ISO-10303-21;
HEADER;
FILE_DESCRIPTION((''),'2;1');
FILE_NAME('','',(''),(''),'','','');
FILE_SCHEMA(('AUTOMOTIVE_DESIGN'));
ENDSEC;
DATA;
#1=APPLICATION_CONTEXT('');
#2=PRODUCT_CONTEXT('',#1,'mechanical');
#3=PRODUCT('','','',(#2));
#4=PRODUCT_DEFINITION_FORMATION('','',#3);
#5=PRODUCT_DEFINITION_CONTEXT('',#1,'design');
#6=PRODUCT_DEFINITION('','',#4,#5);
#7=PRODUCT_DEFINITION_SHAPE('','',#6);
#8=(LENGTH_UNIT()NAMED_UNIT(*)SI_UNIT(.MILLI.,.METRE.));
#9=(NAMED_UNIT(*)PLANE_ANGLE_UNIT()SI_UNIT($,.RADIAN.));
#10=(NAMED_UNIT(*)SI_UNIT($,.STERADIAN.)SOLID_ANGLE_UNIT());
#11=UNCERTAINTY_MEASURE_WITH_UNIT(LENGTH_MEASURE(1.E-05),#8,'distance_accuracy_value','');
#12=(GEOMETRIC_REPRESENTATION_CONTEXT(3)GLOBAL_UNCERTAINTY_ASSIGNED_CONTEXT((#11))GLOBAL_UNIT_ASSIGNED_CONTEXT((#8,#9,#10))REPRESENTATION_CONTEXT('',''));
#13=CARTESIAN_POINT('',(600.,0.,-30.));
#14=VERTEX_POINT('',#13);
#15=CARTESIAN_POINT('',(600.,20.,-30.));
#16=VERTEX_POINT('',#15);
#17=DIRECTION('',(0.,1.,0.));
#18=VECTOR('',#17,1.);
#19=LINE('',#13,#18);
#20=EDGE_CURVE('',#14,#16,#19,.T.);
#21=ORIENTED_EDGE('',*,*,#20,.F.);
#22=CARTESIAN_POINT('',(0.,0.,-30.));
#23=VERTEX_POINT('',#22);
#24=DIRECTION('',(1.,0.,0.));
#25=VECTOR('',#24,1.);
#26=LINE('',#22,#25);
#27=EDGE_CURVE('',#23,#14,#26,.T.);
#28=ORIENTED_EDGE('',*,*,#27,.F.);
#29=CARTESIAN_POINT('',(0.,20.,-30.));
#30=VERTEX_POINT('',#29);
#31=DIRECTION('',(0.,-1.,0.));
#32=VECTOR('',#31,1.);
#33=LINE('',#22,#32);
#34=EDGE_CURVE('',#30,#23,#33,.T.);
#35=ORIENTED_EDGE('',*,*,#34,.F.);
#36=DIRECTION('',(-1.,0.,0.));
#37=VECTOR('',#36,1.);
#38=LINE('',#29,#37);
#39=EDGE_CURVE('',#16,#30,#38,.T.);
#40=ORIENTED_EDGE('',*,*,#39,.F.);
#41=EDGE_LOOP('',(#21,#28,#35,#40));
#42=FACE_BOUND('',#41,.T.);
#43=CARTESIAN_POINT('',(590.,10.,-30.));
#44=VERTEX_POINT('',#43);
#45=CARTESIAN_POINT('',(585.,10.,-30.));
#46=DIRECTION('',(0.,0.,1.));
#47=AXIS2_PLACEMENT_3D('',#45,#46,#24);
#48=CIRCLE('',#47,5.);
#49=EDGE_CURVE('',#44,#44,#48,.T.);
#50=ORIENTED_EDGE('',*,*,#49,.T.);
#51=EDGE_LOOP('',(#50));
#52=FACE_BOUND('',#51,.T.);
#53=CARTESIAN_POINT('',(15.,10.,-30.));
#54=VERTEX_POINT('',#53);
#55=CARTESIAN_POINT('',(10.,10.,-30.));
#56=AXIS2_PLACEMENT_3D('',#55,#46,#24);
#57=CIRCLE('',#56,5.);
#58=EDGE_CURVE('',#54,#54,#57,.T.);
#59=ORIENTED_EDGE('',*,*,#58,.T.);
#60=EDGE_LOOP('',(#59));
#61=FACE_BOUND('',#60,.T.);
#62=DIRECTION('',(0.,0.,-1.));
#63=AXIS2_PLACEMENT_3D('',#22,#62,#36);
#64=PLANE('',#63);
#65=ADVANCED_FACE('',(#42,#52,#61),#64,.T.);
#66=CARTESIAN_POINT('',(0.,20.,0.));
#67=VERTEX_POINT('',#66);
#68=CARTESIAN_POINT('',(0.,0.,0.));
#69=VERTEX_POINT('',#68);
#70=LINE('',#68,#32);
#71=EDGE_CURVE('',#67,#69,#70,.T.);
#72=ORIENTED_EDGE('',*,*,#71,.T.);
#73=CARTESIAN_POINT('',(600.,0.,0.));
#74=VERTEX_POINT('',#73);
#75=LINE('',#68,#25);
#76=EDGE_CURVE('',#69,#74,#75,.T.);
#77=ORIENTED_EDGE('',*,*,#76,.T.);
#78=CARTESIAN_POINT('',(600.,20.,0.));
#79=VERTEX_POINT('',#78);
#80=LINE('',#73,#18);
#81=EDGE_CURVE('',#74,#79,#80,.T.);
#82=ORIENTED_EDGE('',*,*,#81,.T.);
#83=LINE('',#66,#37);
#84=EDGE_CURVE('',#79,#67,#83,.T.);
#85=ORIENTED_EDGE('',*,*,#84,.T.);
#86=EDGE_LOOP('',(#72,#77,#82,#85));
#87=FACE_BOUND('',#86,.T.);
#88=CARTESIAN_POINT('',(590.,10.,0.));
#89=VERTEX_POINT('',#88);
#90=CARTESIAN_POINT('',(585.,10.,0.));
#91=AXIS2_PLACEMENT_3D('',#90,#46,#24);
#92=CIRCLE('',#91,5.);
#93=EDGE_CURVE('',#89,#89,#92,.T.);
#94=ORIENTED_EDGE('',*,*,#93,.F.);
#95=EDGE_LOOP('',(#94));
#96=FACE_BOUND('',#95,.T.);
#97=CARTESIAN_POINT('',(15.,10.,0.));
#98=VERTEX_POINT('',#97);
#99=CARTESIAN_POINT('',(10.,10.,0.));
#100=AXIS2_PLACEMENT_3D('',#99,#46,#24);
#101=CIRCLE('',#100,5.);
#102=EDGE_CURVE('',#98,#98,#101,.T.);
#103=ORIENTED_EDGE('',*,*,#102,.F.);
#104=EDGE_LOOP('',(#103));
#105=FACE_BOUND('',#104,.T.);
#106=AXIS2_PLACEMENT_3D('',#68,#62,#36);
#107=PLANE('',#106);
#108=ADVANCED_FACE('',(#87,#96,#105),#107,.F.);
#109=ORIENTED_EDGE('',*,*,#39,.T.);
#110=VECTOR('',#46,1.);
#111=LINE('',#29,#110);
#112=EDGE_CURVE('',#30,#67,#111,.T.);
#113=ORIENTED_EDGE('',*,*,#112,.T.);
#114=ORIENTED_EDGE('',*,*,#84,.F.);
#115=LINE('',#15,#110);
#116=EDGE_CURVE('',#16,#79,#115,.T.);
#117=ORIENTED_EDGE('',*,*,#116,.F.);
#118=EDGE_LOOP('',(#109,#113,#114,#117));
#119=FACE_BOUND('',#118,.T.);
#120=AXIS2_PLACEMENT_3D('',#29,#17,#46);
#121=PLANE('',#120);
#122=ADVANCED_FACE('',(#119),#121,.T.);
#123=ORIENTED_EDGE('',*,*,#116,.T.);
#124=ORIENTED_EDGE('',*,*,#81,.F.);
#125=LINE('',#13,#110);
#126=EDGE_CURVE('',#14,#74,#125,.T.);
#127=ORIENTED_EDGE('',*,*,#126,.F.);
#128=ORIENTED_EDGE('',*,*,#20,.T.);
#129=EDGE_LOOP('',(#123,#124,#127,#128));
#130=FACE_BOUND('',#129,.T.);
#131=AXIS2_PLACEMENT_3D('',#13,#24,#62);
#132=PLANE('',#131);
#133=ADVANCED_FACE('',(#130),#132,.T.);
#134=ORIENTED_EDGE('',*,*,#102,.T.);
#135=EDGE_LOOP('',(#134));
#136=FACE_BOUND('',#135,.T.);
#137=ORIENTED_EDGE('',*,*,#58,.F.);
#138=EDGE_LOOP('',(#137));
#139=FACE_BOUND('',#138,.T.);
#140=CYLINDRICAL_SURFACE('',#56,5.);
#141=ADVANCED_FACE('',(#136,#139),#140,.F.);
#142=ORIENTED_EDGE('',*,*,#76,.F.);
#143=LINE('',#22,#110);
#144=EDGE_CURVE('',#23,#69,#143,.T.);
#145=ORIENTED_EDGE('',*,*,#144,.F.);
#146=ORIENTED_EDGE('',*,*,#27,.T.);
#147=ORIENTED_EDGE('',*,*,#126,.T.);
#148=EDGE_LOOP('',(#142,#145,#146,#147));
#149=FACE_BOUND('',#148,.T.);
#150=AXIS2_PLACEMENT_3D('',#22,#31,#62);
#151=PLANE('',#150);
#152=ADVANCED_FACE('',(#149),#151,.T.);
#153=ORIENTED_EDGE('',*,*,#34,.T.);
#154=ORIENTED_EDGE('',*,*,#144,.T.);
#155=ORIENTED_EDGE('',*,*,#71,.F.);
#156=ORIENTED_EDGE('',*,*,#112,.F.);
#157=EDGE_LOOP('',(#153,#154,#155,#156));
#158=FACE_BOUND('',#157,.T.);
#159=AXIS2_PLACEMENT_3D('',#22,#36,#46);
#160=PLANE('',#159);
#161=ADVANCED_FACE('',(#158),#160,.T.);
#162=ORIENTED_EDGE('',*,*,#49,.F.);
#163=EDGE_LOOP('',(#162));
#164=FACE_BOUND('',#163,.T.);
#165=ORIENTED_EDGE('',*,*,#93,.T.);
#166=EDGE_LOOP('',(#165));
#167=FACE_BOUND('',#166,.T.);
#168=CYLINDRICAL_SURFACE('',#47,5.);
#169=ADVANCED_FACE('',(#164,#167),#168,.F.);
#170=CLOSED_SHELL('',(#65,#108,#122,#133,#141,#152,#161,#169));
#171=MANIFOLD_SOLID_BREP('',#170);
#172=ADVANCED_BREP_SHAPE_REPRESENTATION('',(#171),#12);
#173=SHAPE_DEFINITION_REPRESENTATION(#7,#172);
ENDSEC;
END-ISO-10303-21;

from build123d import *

# Parameters (mm, degrees)
SKETCH1_W           = 600
SKETCH1_H           = 20
SKETCH1_R           = 5
BOSS_EXTRUDE1_DEPTH = 30


with BuildPart() as part:
    # Sketch1 → Boss-Extrude1 (new body)
    with BuildSketch(Plane.XY):
        with Locations((300, 10)):
            Rectangle(SKETCH1_W, SKETCH1_H)
        with Locations((10, 10)):
            Circle(SKETCH1_R, mode=Mode.SUBTRACT)
        with Locations((585, 10)):
            Circle(SKETCH1_R, mode=Mode.SUBTRACT)
    extrude(amount=-BOSS_EXTRUDE1_DEPTH)


solid = part.part
